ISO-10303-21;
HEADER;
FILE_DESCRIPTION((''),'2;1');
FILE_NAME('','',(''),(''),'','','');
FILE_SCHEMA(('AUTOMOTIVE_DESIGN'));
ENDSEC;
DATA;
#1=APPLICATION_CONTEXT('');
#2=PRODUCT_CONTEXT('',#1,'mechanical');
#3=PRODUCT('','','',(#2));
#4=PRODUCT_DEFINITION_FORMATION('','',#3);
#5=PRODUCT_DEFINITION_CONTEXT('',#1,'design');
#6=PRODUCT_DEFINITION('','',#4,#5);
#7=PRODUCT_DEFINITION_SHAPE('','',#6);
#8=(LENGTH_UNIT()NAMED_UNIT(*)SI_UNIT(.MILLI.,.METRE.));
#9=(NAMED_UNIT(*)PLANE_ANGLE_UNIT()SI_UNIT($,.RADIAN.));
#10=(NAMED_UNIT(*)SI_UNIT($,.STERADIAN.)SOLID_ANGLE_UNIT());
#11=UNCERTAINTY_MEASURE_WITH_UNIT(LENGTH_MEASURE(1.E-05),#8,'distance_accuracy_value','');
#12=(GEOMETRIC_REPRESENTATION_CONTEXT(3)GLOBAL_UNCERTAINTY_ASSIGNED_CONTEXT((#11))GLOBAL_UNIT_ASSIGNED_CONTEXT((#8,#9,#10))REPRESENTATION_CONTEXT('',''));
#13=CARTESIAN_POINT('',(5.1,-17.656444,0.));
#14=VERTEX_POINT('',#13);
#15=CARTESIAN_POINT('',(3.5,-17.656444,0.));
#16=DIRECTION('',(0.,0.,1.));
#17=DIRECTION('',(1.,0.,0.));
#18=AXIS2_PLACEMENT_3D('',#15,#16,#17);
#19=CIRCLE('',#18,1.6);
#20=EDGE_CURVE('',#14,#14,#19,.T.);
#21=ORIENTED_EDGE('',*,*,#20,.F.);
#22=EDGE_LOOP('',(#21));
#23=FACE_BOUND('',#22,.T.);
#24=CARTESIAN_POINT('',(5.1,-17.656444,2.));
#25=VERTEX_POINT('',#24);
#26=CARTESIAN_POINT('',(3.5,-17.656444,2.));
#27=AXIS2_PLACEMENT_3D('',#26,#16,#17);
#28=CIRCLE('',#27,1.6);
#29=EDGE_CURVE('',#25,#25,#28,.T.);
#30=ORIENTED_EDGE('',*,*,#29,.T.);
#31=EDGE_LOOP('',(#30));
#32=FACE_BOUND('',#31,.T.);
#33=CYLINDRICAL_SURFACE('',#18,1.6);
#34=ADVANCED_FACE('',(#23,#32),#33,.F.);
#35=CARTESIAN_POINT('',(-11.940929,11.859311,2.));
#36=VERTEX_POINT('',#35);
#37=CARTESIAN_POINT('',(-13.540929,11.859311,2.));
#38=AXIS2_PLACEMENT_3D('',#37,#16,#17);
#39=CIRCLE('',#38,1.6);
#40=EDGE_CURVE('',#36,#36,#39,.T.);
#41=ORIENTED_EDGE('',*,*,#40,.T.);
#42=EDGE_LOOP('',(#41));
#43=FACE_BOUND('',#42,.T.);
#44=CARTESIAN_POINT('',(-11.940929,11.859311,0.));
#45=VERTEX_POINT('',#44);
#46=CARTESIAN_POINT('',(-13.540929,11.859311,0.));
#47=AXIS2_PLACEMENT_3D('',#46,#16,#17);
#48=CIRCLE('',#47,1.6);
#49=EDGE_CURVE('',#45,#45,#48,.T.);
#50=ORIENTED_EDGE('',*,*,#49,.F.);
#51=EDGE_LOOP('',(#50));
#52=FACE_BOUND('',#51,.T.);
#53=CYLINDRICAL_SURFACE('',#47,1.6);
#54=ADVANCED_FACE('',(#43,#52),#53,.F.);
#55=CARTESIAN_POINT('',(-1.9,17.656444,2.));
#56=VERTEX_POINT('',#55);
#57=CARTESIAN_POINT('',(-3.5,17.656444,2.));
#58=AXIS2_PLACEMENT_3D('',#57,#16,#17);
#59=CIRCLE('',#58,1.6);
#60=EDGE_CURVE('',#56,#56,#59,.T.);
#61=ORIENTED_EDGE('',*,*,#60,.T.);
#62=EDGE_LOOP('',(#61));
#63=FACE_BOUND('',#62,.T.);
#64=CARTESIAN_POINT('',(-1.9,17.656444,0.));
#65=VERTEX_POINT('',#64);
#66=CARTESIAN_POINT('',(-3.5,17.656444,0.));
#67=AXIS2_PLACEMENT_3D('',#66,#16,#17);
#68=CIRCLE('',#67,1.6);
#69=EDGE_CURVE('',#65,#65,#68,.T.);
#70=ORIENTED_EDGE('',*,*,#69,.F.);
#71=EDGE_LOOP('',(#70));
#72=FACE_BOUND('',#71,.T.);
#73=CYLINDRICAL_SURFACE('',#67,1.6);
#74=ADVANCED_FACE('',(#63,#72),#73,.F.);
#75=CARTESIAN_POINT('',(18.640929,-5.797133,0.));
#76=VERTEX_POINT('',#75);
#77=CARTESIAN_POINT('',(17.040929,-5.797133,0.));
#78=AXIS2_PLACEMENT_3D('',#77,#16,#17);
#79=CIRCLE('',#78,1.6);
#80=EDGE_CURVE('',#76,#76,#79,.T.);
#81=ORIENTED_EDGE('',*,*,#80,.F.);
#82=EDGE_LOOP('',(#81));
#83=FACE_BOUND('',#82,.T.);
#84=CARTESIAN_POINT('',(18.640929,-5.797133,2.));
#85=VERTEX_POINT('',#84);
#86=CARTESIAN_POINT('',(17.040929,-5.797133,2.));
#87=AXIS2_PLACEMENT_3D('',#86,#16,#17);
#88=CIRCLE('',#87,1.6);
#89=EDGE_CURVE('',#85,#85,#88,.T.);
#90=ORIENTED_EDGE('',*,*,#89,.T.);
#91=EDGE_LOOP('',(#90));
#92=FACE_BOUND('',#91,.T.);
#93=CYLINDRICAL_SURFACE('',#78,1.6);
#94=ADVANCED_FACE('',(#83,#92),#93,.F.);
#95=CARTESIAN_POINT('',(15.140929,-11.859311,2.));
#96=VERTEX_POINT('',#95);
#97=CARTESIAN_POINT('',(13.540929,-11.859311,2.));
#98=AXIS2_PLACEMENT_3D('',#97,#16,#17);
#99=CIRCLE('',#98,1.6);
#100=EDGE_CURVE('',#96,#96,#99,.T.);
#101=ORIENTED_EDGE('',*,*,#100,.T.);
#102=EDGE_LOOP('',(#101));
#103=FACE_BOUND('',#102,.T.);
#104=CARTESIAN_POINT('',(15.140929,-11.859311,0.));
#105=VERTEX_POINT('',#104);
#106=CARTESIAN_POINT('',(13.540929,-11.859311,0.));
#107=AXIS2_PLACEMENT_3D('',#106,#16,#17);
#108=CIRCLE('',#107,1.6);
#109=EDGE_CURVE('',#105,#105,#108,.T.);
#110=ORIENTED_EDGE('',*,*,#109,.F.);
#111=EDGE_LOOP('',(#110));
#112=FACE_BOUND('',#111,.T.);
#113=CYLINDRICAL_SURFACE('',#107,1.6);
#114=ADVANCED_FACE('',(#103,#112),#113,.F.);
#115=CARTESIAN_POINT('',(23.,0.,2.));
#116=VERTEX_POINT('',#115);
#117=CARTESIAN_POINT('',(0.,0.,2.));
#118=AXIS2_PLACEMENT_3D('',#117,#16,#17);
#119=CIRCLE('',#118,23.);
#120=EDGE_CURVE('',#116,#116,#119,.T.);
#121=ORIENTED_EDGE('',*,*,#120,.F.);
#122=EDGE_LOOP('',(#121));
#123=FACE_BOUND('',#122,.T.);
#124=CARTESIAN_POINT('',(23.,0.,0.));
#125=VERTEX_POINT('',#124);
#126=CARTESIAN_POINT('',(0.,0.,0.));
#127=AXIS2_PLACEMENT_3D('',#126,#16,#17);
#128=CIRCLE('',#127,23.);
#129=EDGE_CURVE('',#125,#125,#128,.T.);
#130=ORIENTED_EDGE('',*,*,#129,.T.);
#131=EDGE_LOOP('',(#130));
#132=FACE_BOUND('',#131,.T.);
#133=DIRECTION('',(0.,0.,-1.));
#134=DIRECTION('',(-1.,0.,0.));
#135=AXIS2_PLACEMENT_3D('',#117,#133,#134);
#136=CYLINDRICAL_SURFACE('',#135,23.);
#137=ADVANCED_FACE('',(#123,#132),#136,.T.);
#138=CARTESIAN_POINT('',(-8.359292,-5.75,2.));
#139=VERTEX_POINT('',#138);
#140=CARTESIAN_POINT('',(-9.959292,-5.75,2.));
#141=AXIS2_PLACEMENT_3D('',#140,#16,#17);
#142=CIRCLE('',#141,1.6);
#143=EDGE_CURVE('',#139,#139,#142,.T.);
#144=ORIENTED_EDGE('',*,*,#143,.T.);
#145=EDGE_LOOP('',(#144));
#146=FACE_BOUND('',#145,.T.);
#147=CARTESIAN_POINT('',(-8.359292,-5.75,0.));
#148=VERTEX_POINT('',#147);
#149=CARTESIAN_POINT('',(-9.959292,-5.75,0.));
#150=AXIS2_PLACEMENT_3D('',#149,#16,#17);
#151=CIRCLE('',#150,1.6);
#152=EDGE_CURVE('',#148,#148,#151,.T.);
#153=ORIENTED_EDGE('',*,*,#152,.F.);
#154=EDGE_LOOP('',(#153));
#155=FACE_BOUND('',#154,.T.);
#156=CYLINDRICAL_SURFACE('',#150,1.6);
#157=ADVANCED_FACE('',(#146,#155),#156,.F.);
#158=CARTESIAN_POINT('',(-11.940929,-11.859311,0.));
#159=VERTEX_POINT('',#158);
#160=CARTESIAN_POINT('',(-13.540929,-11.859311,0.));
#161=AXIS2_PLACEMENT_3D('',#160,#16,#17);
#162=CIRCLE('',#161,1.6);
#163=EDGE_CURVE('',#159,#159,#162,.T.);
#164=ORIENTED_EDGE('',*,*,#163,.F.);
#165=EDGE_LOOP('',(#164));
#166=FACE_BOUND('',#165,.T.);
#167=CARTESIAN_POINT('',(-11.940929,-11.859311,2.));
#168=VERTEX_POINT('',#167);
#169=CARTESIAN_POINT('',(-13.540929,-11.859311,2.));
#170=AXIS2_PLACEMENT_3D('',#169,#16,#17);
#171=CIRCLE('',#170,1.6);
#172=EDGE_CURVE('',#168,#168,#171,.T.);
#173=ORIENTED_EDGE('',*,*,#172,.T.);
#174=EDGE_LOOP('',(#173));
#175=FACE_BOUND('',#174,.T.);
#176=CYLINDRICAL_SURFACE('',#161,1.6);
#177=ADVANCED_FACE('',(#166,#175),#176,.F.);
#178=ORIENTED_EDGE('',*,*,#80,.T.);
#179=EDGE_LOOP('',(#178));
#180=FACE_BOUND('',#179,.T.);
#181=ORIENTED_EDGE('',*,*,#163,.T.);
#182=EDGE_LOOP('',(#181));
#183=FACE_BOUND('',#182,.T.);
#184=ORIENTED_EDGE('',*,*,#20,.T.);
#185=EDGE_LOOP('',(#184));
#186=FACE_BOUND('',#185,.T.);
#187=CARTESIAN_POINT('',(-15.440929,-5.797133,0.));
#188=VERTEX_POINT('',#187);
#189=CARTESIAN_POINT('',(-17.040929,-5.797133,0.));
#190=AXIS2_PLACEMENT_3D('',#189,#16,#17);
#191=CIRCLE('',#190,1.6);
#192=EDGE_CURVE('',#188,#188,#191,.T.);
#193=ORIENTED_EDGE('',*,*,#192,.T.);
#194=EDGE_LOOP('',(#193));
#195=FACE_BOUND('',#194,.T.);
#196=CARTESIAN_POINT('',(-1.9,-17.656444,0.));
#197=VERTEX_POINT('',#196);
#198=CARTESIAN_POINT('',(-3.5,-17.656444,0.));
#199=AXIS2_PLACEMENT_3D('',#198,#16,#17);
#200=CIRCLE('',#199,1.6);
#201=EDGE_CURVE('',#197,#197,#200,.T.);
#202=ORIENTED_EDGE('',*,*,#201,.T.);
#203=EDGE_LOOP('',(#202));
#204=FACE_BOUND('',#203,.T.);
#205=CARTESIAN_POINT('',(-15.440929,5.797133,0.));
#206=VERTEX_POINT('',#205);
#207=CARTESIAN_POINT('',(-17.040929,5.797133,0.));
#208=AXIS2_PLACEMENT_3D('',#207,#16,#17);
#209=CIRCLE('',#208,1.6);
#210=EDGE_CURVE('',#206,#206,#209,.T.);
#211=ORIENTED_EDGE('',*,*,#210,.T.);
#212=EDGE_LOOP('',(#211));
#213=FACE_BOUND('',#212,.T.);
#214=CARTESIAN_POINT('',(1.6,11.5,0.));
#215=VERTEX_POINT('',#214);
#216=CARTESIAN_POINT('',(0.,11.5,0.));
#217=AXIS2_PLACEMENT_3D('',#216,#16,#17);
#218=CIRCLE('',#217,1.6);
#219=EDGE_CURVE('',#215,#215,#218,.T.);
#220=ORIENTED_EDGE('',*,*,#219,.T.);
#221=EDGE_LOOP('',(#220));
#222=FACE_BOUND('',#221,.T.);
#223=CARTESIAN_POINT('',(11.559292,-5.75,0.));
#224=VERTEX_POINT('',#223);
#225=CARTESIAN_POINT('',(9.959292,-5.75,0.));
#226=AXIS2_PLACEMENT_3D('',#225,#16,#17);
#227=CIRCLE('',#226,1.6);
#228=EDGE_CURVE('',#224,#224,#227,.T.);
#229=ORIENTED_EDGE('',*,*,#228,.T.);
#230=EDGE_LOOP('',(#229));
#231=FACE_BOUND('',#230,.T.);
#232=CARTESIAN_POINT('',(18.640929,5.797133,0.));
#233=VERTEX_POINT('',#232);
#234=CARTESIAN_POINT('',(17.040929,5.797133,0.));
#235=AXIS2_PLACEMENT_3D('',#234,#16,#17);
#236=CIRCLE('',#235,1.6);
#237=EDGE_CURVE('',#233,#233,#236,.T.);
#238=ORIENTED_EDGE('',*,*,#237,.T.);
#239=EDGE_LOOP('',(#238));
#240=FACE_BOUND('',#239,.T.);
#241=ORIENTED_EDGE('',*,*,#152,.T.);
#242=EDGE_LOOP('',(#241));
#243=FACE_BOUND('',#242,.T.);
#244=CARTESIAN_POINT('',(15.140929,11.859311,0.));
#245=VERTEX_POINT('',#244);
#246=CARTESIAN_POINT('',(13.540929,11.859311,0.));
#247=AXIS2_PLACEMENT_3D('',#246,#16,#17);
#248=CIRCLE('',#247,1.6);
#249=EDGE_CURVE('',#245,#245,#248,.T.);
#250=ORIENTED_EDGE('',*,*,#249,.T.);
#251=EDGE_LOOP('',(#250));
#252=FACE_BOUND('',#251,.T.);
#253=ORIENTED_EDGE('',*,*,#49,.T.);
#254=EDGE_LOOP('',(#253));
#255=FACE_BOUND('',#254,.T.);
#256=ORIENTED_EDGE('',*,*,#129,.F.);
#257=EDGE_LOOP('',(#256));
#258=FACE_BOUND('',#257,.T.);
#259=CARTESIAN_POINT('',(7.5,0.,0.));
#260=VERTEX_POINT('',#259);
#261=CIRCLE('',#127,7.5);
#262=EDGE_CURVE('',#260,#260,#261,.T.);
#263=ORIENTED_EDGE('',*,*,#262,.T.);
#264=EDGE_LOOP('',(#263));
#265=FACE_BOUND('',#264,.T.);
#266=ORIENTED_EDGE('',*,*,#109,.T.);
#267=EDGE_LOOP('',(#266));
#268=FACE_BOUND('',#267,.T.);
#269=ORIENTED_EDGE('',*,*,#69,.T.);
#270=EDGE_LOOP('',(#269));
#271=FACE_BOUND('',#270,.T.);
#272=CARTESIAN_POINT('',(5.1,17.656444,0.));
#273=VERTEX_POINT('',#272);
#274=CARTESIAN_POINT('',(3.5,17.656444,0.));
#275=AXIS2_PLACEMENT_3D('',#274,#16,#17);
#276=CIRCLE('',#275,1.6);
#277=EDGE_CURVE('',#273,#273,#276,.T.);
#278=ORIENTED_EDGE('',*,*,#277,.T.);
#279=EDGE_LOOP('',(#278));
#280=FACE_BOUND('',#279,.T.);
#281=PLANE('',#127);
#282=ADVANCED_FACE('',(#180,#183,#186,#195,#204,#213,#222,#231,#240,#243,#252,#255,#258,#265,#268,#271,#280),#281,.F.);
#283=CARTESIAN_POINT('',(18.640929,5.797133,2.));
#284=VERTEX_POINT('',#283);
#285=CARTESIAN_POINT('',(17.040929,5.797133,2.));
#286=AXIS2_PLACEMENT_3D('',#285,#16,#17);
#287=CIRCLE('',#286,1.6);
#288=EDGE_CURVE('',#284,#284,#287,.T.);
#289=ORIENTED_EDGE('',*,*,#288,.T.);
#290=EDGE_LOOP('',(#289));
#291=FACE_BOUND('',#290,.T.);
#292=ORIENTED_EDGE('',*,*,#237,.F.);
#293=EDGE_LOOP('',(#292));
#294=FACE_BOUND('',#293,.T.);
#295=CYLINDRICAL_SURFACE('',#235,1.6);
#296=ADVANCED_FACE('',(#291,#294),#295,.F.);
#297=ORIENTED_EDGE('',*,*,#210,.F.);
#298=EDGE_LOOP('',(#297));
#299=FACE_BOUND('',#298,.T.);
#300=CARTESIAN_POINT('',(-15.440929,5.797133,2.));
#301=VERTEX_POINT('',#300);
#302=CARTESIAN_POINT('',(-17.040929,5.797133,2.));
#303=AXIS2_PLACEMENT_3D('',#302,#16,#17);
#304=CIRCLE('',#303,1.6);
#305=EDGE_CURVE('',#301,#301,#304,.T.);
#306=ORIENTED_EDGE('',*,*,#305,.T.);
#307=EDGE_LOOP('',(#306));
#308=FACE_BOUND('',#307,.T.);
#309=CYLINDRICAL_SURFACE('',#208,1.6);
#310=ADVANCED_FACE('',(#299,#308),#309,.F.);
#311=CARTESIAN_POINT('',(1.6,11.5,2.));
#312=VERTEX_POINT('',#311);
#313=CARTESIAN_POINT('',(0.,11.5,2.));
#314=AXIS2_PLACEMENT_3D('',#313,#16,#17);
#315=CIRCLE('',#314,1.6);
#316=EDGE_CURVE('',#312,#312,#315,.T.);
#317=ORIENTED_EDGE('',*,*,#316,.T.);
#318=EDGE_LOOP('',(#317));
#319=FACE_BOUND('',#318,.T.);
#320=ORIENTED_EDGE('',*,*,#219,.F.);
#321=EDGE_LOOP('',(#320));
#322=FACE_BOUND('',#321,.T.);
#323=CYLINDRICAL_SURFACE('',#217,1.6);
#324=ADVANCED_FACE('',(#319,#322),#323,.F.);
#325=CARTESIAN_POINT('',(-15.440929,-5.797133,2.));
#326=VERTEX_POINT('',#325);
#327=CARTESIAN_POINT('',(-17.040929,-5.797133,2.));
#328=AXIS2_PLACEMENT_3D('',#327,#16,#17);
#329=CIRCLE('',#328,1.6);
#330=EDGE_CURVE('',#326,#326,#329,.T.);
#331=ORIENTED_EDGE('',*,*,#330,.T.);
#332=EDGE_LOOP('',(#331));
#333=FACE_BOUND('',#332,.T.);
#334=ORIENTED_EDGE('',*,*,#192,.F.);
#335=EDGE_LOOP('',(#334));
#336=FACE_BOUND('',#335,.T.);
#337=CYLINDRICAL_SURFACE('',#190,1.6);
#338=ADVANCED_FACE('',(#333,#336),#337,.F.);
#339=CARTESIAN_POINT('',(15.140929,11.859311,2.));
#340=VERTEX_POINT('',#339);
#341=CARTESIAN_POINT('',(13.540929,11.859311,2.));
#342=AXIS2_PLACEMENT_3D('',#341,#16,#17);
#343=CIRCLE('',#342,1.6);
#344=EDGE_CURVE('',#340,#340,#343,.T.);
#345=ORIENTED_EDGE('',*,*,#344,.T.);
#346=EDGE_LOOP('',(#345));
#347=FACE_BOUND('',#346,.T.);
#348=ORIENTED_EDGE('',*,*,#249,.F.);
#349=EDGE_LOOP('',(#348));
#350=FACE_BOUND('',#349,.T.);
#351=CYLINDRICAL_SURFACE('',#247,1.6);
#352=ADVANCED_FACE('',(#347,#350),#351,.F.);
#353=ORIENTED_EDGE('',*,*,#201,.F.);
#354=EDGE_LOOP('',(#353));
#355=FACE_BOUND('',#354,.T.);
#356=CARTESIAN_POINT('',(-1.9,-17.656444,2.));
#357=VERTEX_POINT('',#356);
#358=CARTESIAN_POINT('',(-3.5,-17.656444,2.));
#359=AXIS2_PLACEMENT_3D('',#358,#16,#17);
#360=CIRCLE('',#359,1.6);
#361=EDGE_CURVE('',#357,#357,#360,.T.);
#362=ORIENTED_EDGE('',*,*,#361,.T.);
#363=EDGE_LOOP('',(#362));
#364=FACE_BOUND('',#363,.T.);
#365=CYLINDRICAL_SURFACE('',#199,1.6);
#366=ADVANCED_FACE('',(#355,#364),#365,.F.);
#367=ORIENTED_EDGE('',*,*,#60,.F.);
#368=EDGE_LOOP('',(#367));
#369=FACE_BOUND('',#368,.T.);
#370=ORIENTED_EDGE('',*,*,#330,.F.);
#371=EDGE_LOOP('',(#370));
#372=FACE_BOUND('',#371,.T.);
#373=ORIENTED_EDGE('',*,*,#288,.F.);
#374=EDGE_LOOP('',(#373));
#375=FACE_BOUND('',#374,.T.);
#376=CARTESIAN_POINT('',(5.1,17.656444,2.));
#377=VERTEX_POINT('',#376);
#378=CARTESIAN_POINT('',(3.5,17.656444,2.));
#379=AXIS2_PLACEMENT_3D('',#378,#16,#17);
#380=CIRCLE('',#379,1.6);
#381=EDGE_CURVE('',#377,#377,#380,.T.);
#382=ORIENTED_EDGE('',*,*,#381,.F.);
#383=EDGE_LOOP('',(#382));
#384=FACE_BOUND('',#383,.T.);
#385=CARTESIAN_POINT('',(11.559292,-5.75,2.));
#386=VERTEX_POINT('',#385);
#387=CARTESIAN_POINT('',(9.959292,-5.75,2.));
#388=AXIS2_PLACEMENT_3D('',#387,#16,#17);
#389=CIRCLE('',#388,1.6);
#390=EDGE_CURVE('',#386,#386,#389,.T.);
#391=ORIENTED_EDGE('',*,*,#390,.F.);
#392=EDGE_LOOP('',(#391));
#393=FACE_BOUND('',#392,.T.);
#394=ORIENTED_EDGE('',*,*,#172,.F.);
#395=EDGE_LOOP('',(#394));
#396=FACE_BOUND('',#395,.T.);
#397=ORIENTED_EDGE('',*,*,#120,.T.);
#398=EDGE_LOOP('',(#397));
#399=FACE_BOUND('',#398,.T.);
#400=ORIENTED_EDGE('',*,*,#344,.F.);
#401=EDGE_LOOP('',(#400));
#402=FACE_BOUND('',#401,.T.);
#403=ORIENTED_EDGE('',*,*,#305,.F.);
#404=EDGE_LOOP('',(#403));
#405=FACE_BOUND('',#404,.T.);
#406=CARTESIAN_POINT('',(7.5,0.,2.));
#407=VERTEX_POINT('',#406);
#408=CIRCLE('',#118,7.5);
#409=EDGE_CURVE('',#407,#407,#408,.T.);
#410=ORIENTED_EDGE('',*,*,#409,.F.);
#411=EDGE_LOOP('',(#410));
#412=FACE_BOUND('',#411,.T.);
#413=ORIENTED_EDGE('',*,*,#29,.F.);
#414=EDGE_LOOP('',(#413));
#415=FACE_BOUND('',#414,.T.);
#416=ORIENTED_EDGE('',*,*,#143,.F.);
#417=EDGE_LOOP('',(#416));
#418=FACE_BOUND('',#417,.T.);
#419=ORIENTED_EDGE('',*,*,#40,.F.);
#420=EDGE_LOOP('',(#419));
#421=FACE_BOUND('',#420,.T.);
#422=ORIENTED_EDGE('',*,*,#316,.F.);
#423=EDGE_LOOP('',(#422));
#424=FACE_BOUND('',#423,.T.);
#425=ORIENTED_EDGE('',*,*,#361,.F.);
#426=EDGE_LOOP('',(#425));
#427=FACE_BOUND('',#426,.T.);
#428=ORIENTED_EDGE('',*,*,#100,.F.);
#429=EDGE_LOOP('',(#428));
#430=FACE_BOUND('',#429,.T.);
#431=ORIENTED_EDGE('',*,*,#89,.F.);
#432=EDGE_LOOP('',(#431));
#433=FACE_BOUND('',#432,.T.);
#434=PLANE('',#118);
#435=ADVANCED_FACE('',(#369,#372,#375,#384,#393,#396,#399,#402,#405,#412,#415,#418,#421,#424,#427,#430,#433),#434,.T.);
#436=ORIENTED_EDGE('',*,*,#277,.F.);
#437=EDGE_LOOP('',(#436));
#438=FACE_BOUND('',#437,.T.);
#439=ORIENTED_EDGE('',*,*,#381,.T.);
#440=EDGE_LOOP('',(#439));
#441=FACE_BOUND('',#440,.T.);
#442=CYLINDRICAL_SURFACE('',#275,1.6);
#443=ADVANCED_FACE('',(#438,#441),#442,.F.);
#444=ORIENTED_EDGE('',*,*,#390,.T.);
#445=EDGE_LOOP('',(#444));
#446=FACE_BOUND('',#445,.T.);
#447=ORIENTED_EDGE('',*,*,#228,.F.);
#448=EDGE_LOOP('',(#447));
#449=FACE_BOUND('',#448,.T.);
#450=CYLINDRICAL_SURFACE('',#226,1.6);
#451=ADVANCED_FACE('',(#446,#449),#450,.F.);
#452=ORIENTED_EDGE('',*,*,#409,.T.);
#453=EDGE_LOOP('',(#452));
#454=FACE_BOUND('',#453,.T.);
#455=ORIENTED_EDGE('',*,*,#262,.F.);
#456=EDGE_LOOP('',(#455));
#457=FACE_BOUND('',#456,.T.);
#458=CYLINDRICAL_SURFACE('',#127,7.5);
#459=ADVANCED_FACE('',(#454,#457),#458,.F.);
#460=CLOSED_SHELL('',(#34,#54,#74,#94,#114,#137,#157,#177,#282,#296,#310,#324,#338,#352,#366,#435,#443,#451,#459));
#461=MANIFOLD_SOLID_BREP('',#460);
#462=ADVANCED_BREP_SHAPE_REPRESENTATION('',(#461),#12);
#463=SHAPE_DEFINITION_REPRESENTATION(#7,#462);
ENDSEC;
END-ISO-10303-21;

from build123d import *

# Parameters (mm, degrees)
SKETCH_1_R          = 23
EXTRUDE_1_DEPTH     = 2
SKETCH_2_R          = 1.6
SKETCH_2_R_2        = 7.5
CUT_EXTRUDE_1_DEPTH = 33.588341474


with BuildPart() as part:
    # ｽｹｯﾁ1 → ﾎﾞｽ - 押し出し1 (new body)
    with BuildSketch(Plane.XY):
        Circle(SKETCH_1_R)
    extrude(amount=EXTRUDE_1_DEPTH)

    # ｽｹｯﾁ2 → ｶｯﾄ - 押し出し1 (cut, through all)
    with BuildSketch(Plane.XY.offset(2)):
        with Locations((-3.5, 17.656443583)):
            Circle(SKETCH_2_R)
        with Locations((3.5, 17.656443583)):
            Circle(SKETCH_2_R)
        with Locations((13.540928683, 11.859310705)):
            Circle(SKETCH_2_R)
        with Locations((17.040928683, 5.797132878)):
            Circle(SKETCH_2_R)
        with Locations((17.040928683, -5.797132878)):
            Circle(SKETCH_2_R)
        with Locations((13.540928683, -11.859310705)):
            Circle(SKETCH_2_R)
        with Locations((3.5, -17.656443583)):
            Circle(SKETCH_2_R)
        with Locations((-3.5, -17.656443583)):
            Circle(SKETCH_2_R)
        with Locations((-13.540928683, -11.859310705)):
            Circle(SKETCH_2_R)
        with Locations((-17.040928683, -5.797132878)):
            Circle(SKETCH_2_R)
        with Locations((-17.040928683, 5.797132878)):
            Circle(SKETCH_2_R)
        with Locations((-13.540928683, 11.859310705)):
            Circle(SKETCH_2_R)
        Circle(SKETCH_2_R_2)
        with Locations((0, 11.5)):
            Circle(SKETCH_2_R)
        with Locations((-9.959292144, -5.75)):
            Circle(SKETCH_2_R)
        with Locations((9.959292144, -5.75)):
            Circle(SKETCH_2_R)
    extrude(amount=-CUT_EXTRUDE_1_DEPTH, mode=Mode.SUBTRACT)


solid = part.part
